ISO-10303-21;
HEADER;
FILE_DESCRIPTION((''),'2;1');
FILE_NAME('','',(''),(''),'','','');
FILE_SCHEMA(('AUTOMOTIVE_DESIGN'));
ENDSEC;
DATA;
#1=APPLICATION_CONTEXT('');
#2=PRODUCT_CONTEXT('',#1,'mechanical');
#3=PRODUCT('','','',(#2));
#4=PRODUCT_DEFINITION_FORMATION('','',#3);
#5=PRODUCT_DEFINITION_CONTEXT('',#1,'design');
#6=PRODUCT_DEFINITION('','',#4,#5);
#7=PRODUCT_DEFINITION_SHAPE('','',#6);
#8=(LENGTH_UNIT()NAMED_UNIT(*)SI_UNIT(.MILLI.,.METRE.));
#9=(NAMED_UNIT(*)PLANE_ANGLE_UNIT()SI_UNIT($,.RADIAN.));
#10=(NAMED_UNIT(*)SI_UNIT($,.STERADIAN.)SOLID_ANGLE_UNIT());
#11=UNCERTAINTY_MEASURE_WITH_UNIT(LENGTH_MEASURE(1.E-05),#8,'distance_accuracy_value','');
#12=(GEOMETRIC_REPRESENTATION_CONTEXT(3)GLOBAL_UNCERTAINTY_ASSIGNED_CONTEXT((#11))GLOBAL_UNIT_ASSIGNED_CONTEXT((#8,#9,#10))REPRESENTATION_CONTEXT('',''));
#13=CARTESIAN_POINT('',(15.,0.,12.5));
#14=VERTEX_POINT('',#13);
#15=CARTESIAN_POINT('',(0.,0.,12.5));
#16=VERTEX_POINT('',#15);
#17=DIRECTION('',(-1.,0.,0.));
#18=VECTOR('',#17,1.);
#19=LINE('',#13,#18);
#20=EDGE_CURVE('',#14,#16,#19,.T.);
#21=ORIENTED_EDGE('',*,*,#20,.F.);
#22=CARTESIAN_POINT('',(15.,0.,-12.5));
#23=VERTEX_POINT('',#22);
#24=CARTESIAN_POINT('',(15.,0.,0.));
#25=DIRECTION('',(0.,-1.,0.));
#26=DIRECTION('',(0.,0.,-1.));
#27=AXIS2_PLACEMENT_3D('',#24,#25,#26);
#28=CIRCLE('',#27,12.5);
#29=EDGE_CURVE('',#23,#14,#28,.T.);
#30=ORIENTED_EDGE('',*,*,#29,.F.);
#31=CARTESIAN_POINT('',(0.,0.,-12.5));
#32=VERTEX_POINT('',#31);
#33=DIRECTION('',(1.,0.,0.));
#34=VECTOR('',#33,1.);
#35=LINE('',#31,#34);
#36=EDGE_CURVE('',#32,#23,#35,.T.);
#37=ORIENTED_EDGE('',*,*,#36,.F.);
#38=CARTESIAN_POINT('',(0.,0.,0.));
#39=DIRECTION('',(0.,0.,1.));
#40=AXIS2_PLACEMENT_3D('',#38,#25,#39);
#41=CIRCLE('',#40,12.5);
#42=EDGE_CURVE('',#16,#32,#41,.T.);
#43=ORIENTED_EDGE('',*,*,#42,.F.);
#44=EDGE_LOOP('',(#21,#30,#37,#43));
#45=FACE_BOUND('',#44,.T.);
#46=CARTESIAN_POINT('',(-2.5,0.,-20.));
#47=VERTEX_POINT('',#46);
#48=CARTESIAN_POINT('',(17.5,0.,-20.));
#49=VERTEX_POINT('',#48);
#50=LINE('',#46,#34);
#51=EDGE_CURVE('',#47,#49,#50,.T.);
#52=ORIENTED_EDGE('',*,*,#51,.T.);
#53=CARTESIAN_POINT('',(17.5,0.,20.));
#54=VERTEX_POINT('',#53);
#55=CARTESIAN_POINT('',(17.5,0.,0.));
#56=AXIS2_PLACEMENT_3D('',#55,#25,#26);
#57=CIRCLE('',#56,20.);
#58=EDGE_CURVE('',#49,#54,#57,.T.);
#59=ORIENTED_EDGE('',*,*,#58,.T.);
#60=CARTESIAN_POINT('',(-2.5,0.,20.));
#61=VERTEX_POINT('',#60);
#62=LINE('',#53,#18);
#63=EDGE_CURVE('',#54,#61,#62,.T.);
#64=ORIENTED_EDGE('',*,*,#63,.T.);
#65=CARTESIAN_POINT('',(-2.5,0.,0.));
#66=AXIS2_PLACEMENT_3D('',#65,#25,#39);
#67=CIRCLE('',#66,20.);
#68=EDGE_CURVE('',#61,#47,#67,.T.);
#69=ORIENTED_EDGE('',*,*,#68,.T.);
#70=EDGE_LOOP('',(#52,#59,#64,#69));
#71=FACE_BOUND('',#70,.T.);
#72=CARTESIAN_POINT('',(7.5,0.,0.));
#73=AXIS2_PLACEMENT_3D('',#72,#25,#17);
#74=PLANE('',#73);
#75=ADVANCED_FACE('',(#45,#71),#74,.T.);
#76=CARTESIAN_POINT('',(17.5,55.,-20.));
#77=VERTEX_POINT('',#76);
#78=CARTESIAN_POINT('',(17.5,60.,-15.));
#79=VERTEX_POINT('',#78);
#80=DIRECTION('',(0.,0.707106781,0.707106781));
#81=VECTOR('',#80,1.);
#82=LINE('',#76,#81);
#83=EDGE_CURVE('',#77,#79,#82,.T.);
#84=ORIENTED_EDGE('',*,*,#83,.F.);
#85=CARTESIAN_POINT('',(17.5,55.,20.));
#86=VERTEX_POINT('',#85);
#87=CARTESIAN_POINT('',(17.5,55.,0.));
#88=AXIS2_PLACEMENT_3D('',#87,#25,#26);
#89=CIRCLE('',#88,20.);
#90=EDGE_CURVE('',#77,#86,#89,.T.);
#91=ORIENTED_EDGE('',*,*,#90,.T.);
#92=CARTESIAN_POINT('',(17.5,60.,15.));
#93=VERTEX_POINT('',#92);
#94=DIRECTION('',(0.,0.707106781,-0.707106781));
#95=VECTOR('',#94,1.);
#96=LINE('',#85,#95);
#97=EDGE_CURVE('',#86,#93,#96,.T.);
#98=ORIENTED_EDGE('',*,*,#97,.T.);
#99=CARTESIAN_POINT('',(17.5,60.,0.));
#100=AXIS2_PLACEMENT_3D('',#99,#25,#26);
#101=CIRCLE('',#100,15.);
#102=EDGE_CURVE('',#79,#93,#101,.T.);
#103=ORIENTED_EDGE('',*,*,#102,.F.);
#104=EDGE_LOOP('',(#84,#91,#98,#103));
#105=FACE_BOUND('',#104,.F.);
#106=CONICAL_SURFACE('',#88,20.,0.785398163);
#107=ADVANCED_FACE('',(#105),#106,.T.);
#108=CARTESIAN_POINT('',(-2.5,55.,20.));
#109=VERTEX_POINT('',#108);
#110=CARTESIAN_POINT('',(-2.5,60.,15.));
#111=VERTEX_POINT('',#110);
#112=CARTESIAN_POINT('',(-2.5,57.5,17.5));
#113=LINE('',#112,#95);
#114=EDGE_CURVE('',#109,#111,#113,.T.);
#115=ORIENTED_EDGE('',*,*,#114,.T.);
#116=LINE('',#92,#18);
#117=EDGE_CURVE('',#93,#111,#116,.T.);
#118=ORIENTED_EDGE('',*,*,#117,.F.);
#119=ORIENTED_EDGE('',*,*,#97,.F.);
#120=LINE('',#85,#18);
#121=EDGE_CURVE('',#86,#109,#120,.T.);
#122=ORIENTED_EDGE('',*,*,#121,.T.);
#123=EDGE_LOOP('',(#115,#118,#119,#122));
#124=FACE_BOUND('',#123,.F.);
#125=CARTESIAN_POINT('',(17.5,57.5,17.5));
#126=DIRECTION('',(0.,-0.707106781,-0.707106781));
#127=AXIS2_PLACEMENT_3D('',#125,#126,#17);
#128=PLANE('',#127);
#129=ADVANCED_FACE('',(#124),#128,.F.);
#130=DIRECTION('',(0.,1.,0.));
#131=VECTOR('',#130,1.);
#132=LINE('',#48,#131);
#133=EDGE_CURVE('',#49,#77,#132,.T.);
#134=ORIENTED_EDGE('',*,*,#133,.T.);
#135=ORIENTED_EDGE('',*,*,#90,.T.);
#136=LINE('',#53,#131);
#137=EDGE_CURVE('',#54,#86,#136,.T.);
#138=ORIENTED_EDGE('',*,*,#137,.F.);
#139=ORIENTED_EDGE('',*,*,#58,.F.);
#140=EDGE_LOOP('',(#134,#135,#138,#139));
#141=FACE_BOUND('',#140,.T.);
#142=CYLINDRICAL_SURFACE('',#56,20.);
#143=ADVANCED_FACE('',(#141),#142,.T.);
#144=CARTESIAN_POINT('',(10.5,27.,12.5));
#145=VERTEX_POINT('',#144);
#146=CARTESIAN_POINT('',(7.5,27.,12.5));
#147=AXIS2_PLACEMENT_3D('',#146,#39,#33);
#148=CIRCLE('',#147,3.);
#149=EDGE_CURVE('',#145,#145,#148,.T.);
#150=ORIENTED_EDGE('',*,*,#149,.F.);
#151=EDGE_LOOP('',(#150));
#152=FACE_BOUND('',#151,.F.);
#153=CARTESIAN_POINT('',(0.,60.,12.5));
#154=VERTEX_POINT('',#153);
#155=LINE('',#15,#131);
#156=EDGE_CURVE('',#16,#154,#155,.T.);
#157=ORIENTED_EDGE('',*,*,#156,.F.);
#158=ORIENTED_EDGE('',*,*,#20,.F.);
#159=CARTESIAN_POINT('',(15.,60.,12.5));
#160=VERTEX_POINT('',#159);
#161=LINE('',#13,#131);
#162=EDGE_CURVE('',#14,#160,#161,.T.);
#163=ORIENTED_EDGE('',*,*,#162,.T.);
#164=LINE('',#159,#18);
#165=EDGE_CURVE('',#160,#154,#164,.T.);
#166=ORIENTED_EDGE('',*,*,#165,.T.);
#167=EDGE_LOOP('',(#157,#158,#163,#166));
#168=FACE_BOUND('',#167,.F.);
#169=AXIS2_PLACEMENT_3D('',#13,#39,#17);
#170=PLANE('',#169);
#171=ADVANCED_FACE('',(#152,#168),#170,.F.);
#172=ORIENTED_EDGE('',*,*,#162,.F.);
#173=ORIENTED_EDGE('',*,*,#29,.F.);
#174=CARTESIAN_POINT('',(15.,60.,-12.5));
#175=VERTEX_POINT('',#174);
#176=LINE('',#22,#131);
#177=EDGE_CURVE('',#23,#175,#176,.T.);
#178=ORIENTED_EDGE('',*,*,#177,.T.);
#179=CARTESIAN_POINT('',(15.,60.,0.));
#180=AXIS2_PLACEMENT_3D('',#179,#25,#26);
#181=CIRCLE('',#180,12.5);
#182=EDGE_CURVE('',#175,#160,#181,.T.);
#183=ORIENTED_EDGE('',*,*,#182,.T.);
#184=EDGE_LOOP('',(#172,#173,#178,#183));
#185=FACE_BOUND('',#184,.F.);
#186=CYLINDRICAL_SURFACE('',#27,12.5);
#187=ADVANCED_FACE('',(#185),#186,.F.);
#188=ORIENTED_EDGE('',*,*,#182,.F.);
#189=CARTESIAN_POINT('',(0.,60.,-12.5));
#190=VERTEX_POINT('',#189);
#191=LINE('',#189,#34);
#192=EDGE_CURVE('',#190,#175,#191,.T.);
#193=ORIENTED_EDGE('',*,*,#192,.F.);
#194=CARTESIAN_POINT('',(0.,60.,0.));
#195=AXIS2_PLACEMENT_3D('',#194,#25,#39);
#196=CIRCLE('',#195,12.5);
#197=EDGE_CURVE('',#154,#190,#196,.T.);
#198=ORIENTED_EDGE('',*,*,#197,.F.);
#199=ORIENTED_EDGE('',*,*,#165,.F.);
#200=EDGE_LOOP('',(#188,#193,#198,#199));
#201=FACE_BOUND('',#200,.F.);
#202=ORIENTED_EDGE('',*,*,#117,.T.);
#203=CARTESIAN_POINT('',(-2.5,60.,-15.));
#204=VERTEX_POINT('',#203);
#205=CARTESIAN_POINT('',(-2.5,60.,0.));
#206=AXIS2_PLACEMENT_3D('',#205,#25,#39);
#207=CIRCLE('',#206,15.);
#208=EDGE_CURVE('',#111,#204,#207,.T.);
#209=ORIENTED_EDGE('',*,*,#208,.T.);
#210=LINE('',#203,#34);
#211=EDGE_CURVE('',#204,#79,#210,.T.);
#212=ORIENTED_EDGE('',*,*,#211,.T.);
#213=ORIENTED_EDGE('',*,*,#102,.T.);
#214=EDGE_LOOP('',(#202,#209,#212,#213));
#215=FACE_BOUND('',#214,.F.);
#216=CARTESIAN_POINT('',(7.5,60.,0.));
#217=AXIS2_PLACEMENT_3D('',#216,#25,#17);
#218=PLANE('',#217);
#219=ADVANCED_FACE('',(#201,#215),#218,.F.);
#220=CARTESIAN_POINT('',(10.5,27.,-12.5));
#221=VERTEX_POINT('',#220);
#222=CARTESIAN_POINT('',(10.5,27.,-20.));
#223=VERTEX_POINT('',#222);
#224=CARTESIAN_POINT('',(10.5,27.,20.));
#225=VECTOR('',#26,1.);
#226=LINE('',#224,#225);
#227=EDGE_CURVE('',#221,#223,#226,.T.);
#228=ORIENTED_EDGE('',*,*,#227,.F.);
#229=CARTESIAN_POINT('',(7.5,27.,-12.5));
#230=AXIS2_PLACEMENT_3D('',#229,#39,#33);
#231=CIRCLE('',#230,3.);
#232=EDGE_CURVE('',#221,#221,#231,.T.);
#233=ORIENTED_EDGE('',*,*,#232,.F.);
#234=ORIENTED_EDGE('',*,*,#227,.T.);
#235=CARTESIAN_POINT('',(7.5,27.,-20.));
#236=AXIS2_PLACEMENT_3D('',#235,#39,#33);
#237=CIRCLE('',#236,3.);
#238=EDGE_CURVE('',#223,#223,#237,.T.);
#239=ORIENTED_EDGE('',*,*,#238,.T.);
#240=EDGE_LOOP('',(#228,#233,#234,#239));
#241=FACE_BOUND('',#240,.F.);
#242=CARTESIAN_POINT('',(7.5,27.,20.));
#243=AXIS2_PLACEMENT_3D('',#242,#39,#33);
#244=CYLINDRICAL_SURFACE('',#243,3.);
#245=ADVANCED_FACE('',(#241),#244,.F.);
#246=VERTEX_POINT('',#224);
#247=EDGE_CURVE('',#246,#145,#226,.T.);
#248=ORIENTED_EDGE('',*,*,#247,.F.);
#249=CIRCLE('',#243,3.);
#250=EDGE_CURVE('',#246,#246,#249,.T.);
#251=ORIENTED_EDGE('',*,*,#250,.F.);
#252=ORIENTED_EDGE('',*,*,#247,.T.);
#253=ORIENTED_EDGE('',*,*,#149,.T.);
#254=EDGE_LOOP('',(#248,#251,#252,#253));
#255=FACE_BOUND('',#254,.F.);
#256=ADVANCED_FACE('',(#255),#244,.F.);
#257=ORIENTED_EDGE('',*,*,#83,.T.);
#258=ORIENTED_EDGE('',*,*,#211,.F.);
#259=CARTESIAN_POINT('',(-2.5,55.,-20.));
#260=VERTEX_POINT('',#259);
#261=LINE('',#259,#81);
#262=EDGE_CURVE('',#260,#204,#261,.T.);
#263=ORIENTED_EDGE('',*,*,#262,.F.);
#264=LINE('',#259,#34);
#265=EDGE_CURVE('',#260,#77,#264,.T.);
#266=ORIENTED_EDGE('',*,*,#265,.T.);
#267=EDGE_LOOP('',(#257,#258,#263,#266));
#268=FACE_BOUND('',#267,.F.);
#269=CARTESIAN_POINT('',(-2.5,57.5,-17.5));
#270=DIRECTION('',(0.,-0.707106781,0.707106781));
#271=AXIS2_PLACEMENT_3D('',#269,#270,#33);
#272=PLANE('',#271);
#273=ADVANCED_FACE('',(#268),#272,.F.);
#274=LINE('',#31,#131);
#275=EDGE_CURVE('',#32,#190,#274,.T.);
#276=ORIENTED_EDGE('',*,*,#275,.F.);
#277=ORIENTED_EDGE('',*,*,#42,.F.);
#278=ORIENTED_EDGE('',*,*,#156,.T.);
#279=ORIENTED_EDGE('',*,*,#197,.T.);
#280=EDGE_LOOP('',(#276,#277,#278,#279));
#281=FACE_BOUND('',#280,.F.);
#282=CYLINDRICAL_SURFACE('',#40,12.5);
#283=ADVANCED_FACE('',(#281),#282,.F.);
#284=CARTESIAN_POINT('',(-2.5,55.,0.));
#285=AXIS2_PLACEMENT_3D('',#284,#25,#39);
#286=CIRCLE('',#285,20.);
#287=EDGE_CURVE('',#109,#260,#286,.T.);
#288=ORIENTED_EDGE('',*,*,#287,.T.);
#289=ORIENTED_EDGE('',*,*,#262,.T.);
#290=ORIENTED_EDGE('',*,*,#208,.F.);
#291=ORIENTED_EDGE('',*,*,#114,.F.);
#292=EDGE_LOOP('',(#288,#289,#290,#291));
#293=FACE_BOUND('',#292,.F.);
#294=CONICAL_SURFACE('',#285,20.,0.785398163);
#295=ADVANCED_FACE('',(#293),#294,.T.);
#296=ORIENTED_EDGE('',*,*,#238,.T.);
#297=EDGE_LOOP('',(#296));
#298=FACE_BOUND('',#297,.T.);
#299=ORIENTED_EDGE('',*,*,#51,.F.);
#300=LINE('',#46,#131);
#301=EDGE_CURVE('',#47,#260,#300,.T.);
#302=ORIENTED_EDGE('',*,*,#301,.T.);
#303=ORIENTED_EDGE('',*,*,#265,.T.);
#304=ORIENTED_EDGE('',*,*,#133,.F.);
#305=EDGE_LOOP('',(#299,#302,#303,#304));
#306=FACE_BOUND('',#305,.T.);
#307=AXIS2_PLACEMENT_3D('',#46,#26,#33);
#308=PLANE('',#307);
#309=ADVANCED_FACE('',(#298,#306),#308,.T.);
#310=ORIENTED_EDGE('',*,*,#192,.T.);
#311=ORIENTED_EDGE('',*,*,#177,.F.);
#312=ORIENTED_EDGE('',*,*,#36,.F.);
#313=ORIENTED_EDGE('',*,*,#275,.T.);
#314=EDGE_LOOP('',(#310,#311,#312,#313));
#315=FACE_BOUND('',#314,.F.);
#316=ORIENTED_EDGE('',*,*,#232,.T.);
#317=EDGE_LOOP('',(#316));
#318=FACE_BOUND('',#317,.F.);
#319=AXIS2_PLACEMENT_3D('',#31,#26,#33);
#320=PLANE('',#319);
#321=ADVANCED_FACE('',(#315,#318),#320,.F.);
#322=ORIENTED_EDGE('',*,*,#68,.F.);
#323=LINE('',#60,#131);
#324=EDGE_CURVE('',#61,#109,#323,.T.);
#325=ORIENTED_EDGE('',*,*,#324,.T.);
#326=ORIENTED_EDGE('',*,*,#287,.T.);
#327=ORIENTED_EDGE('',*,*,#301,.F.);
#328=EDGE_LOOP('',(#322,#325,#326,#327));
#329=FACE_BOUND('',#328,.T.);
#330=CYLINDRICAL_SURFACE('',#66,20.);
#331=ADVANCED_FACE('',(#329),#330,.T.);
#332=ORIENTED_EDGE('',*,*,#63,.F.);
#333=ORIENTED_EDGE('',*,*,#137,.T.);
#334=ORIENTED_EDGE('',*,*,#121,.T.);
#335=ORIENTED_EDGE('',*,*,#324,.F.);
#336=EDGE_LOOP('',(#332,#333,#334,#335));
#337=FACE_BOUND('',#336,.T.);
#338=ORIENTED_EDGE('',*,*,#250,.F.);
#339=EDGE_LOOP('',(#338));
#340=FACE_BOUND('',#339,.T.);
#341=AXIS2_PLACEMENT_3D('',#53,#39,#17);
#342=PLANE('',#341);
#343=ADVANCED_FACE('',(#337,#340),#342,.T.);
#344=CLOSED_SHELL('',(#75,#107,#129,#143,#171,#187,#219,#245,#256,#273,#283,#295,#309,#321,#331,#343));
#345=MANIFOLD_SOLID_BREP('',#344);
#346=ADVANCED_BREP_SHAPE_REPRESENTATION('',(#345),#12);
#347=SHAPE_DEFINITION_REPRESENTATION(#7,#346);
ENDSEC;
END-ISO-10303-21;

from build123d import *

# Parameters (mm, degrees)
SALIENTE_EXTRUIR1_DEPTH = 60
CHAFL_N1_SIZE           = 5
CROQUIS2_R              = 3
CORTAR_EXTRUIR1_DEPTH   = 60


with BuildPart() as part:
    # Croquis1 → Saliente-Extruir1 (new body)
    with BuildSketch(Plane(origin=(0, 0, 0), x_dir=(1, 0, 0), z_dir=(0, 1, 0))):
        with BuildLine():
            Line((-2.5, 20), (17.5, 20))
            ThreePointArc((17.5, 20), (37.5, 0), (17.5, -20))
            Line((17.5, -20), (-2.5, -20))
            ThreePointArc((-2.5, -20), (-22.5, 0), (-2.5, 20))
        make_face()
        with BuildLine():
            Line((0, 12.5), (15, 12.5))
            ThreePointArc((15, 12.5), (27.5, 0), (15, -12.5))
            Line((15, -12.5), (0, -12.5))
            ThreePointArc((0, -12.5), (-12.5, 0), (0, 12.5))
        make_face(mode=Mode.SUBTRACT)
    extrude(amount=SALIENTE_EXTRUIR1_DEPTH)

    # Chaflán1
    chafl_n1_edges = [part.edges().sort_by_distance(p)[0] for p in [
        (37.5, 60, 0),
        (7.5, 60, -20),
        (-22.5, 60, 0),
        (7.5, 60, 20),
    ]]
    chamfer(chafl_n1_edges, length=CHAFL_N1_SIZE)

    # Croquis2 → Cortar-Extruir1 (cut)
    with BuildSketch(Plane.XY.offset(20)):
        with Locations((7.5, 27)):
            Circle(CROQUIS2_R)
    extrude(amount=-CORTAR_EXTRUIR1_DEPTH, mode=Mode.SUBTRACT)


solid = part.part
